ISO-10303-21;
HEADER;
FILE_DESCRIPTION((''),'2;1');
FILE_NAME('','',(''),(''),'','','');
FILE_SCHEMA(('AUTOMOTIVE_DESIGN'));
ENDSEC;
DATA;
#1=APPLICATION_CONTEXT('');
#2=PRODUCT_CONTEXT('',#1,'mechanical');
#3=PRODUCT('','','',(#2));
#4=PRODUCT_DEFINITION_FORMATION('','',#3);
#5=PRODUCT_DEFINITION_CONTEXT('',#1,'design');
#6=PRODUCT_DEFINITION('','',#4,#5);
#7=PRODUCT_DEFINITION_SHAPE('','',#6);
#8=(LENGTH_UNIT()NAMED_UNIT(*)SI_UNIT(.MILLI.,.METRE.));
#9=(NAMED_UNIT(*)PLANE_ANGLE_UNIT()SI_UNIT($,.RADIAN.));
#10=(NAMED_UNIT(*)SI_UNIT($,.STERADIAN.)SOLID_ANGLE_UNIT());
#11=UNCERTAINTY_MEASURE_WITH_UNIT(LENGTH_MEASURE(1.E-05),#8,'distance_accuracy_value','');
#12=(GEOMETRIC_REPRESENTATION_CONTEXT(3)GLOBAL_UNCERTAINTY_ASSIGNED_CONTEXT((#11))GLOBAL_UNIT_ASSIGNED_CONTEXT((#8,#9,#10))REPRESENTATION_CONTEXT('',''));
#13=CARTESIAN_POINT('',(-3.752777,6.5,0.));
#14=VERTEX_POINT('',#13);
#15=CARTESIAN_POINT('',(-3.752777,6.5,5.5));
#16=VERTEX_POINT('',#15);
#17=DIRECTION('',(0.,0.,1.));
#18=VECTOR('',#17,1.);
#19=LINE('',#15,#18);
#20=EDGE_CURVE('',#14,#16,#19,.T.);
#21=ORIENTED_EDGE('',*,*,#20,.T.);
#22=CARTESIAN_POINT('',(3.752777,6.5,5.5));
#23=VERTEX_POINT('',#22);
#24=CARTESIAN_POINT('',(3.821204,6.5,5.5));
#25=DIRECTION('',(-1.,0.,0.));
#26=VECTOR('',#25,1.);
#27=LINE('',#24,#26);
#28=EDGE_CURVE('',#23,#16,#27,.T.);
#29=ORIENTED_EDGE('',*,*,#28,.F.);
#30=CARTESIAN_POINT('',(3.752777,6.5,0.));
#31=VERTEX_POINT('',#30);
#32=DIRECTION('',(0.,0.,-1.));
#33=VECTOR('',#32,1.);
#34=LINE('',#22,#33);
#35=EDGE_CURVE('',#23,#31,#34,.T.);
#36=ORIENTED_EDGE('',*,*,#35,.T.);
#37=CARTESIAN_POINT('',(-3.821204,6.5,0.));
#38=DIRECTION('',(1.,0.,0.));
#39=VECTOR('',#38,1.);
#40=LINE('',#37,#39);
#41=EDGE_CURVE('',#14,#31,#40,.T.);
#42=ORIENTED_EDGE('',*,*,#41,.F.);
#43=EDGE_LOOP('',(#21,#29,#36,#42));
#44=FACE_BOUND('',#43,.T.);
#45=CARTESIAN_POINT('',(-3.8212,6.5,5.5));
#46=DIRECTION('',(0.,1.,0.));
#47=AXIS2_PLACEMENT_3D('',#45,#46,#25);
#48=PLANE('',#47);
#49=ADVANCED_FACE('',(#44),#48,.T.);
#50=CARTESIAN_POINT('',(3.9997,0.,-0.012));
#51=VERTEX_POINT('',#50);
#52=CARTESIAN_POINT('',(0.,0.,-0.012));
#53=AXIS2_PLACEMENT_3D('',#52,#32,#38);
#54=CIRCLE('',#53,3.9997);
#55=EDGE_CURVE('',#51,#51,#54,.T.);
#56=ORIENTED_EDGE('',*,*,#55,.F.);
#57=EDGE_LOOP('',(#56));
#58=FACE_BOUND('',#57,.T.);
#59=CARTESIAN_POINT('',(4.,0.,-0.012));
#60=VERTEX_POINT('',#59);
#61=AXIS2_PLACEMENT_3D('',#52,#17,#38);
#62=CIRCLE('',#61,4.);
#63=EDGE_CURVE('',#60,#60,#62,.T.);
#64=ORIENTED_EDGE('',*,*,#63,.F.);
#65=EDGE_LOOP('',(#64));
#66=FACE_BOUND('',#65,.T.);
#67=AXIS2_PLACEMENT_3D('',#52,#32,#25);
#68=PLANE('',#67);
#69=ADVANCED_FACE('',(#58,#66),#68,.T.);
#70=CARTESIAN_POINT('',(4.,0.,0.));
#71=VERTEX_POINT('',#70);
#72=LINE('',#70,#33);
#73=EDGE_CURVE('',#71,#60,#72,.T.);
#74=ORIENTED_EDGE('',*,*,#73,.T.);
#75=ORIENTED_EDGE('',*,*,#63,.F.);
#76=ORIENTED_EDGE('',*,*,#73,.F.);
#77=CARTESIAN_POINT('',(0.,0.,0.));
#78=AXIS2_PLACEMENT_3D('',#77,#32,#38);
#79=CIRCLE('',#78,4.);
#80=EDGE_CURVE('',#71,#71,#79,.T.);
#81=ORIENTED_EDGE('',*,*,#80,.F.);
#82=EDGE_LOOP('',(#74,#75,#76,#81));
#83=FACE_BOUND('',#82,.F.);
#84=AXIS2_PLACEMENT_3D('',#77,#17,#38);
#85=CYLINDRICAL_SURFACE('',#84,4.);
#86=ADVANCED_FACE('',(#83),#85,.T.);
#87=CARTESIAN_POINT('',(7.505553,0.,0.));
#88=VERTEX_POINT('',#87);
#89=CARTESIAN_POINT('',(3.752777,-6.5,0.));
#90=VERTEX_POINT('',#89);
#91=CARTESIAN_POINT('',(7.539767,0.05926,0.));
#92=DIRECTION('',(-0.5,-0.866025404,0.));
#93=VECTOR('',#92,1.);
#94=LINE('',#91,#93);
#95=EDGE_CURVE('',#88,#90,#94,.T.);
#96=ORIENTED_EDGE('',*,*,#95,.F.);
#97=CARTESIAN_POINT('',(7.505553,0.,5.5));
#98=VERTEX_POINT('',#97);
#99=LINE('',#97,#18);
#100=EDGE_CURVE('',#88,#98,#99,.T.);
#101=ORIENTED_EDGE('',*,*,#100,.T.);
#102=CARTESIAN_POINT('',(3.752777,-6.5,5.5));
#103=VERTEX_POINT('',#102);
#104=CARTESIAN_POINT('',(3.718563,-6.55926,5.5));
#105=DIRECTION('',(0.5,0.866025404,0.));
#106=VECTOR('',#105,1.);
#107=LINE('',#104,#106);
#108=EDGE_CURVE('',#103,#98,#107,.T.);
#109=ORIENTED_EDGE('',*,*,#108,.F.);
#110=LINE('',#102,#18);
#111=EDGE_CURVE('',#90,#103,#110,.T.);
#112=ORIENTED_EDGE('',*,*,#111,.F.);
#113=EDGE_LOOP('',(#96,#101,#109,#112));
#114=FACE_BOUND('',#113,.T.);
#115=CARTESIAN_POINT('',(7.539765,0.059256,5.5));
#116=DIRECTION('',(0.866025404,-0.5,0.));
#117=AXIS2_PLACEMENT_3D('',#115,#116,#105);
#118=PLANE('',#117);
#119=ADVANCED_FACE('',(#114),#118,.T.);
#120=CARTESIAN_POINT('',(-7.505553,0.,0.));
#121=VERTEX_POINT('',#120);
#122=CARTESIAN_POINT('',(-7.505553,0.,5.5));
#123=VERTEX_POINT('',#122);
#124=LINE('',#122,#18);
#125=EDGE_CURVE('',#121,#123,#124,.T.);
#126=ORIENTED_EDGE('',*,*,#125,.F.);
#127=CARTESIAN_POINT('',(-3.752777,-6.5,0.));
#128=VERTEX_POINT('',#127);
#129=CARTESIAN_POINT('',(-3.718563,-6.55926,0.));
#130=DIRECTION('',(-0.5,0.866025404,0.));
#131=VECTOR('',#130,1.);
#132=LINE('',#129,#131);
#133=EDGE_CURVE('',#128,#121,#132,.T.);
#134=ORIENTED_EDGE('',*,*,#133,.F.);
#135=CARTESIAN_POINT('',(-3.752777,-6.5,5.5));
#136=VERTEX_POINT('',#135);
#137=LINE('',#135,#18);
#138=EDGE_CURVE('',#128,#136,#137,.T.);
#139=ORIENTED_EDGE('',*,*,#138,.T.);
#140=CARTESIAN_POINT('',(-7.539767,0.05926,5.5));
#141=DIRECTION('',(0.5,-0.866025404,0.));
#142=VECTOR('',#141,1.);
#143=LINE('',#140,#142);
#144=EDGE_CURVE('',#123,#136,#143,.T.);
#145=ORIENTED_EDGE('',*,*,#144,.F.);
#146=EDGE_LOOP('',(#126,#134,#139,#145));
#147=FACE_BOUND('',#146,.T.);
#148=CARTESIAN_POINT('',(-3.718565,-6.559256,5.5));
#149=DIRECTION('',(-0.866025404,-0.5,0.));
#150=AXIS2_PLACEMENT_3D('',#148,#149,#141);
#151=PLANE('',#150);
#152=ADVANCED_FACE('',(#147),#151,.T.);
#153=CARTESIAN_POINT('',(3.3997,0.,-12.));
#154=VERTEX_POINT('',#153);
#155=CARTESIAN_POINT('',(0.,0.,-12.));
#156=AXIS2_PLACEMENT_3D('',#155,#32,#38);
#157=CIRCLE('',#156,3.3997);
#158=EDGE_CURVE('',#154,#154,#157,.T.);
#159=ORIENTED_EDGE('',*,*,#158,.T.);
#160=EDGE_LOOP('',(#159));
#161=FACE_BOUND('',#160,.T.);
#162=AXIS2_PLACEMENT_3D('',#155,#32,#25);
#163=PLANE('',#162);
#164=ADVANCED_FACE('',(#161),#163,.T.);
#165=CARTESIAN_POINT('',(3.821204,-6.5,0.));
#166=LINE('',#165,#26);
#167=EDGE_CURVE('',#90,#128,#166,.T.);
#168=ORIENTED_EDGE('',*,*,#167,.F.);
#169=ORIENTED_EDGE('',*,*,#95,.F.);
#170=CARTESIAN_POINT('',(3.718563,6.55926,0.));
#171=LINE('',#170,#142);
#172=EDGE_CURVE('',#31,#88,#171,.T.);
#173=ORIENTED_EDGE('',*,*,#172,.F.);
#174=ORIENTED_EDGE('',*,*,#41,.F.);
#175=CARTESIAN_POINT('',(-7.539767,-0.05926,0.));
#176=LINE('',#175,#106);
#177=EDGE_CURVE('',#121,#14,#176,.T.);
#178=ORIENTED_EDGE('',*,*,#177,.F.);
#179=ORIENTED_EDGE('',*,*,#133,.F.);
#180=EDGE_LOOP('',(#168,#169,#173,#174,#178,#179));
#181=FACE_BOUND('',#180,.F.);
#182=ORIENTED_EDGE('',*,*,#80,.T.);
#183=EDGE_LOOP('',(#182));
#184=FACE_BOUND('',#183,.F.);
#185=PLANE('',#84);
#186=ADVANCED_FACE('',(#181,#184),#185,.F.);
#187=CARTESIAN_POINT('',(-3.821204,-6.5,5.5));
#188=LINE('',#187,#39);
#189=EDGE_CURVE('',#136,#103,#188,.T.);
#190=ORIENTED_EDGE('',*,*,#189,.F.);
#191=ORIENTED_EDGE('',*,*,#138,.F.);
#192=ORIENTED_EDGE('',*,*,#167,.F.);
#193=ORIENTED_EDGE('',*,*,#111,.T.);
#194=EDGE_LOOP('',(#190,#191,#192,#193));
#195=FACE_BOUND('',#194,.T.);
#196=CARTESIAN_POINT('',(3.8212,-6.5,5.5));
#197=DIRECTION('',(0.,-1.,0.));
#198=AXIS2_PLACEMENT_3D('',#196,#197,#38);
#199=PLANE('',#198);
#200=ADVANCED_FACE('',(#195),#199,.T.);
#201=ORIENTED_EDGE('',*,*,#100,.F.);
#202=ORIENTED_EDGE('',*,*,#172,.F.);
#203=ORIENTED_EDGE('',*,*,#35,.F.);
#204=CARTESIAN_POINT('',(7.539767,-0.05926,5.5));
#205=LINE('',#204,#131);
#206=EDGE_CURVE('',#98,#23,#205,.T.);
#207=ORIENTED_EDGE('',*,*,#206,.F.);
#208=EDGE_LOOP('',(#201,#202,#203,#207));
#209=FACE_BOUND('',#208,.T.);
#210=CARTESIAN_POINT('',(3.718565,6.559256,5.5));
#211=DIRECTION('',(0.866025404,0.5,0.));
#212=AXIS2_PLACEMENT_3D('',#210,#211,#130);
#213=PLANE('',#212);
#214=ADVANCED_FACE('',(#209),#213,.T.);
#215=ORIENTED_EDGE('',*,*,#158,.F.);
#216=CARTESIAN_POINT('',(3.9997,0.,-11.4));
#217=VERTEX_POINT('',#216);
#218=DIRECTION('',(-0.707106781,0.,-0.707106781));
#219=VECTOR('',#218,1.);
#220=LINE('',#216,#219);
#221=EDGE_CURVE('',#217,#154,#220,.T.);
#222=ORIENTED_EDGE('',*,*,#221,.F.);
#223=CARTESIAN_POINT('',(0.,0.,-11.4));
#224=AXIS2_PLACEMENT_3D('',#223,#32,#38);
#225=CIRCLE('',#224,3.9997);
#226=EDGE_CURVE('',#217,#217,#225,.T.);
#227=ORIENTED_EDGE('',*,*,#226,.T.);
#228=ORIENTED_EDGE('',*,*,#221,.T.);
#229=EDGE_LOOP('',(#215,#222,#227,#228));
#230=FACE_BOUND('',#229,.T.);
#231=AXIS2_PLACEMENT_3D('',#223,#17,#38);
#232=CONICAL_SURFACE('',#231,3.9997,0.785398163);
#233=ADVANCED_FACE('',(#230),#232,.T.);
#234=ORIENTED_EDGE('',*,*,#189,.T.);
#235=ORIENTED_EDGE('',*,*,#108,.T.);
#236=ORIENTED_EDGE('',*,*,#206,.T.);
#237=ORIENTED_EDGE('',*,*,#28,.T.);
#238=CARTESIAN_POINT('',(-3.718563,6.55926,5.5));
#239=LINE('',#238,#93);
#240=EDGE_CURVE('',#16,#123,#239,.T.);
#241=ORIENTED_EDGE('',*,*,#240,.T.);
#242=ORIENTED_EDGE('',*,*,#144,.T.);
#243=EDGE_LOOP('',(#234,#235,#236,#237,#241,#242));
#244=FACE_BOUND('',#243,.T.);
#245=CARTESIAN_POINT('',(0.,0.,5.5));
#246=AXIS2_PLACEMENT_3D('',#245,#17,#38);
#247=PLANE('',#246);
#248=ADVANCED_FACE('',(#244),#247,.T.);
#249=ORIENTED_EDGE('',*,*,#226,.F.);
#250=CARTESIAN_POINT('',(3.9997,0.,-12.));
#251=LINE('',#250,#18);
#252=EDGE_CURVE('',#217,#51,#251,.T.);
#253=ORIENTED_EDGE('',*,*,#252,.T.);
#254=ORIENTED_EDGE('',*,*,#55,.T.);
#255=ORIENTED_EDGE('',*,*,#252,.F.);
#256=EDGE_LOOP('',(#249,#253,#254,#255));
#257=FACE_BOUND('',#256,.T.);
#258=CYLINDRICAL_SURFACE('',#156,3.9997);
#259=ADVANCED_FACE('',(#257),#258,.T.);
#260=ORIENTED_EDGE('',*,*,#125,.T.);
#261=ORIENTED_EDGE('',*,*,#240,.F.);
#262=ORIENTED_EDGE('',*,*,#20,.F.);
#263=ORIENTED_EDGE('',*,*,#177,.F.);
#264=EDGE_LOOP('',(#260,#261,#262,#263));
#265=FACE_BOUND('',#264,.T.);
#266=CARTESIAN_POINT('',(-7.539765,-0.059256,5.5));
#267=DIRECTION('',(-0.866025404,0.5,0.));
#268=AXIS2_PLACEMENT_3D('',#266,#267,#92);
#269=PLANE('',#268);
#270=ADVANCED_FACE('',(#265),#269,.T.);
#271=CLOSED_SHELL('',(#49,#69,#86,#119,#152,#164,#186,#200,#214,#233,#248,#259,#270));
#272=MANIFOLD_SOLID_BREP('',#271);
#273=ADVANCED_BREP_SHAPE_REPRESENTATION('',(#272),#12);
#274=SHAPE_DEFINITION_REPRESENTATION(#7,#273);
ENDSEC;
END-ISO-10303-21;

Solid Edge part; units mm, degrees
sketch "Sketch1" plane through (0, 0, 0) normal (0, 0, 1) x (1, 0, 0)
  circle A0 centre (0, 0) radius 7.54
  dimension "D1" = 15.08
extrude "Protrusion1" add sketch "Sketch1" along normal blind 5.5
sketch "Sketch2" plane through (0, 0, 0) normal (0, 0, -1) x (1, 0, 0)
  circle A0 centre (0, 0) radius 4
extrude "Protrusion2" add sketch "Sketch2" along normal blind 12
sketch "Sketch3" plane through (0, 0, -12) normal (0, 0, -1) x (1, 0, 0)
  circle A0 centre (0, 0) radius 3.9997
extrude "Cutout1" cut sketch "Sketch3" against normal blind 11.988 flip side to cut
chamfer "Chamfer_1" distance 0.6 angle 45 1 edges at (-3.9997, 0, -12)
sketch "Sketch4" plane through (0, 0, 5.5) normal (0, 0, 1) x (1, 0, 0)
  line L0 (-3.8212, 6.5) -> (3.8212, 6.5)
  dimension "D1" = 13
extrude "Cutout2" cut sketch "Sketch4" against normal up to next material side at (0, 6.55, 5.5)
pattern_circular "Pattern1" count 6 over 360 about axis through (0, 0, 5.5) along (0, 0, 1) of "Cutout2"
properties part number "185602"
